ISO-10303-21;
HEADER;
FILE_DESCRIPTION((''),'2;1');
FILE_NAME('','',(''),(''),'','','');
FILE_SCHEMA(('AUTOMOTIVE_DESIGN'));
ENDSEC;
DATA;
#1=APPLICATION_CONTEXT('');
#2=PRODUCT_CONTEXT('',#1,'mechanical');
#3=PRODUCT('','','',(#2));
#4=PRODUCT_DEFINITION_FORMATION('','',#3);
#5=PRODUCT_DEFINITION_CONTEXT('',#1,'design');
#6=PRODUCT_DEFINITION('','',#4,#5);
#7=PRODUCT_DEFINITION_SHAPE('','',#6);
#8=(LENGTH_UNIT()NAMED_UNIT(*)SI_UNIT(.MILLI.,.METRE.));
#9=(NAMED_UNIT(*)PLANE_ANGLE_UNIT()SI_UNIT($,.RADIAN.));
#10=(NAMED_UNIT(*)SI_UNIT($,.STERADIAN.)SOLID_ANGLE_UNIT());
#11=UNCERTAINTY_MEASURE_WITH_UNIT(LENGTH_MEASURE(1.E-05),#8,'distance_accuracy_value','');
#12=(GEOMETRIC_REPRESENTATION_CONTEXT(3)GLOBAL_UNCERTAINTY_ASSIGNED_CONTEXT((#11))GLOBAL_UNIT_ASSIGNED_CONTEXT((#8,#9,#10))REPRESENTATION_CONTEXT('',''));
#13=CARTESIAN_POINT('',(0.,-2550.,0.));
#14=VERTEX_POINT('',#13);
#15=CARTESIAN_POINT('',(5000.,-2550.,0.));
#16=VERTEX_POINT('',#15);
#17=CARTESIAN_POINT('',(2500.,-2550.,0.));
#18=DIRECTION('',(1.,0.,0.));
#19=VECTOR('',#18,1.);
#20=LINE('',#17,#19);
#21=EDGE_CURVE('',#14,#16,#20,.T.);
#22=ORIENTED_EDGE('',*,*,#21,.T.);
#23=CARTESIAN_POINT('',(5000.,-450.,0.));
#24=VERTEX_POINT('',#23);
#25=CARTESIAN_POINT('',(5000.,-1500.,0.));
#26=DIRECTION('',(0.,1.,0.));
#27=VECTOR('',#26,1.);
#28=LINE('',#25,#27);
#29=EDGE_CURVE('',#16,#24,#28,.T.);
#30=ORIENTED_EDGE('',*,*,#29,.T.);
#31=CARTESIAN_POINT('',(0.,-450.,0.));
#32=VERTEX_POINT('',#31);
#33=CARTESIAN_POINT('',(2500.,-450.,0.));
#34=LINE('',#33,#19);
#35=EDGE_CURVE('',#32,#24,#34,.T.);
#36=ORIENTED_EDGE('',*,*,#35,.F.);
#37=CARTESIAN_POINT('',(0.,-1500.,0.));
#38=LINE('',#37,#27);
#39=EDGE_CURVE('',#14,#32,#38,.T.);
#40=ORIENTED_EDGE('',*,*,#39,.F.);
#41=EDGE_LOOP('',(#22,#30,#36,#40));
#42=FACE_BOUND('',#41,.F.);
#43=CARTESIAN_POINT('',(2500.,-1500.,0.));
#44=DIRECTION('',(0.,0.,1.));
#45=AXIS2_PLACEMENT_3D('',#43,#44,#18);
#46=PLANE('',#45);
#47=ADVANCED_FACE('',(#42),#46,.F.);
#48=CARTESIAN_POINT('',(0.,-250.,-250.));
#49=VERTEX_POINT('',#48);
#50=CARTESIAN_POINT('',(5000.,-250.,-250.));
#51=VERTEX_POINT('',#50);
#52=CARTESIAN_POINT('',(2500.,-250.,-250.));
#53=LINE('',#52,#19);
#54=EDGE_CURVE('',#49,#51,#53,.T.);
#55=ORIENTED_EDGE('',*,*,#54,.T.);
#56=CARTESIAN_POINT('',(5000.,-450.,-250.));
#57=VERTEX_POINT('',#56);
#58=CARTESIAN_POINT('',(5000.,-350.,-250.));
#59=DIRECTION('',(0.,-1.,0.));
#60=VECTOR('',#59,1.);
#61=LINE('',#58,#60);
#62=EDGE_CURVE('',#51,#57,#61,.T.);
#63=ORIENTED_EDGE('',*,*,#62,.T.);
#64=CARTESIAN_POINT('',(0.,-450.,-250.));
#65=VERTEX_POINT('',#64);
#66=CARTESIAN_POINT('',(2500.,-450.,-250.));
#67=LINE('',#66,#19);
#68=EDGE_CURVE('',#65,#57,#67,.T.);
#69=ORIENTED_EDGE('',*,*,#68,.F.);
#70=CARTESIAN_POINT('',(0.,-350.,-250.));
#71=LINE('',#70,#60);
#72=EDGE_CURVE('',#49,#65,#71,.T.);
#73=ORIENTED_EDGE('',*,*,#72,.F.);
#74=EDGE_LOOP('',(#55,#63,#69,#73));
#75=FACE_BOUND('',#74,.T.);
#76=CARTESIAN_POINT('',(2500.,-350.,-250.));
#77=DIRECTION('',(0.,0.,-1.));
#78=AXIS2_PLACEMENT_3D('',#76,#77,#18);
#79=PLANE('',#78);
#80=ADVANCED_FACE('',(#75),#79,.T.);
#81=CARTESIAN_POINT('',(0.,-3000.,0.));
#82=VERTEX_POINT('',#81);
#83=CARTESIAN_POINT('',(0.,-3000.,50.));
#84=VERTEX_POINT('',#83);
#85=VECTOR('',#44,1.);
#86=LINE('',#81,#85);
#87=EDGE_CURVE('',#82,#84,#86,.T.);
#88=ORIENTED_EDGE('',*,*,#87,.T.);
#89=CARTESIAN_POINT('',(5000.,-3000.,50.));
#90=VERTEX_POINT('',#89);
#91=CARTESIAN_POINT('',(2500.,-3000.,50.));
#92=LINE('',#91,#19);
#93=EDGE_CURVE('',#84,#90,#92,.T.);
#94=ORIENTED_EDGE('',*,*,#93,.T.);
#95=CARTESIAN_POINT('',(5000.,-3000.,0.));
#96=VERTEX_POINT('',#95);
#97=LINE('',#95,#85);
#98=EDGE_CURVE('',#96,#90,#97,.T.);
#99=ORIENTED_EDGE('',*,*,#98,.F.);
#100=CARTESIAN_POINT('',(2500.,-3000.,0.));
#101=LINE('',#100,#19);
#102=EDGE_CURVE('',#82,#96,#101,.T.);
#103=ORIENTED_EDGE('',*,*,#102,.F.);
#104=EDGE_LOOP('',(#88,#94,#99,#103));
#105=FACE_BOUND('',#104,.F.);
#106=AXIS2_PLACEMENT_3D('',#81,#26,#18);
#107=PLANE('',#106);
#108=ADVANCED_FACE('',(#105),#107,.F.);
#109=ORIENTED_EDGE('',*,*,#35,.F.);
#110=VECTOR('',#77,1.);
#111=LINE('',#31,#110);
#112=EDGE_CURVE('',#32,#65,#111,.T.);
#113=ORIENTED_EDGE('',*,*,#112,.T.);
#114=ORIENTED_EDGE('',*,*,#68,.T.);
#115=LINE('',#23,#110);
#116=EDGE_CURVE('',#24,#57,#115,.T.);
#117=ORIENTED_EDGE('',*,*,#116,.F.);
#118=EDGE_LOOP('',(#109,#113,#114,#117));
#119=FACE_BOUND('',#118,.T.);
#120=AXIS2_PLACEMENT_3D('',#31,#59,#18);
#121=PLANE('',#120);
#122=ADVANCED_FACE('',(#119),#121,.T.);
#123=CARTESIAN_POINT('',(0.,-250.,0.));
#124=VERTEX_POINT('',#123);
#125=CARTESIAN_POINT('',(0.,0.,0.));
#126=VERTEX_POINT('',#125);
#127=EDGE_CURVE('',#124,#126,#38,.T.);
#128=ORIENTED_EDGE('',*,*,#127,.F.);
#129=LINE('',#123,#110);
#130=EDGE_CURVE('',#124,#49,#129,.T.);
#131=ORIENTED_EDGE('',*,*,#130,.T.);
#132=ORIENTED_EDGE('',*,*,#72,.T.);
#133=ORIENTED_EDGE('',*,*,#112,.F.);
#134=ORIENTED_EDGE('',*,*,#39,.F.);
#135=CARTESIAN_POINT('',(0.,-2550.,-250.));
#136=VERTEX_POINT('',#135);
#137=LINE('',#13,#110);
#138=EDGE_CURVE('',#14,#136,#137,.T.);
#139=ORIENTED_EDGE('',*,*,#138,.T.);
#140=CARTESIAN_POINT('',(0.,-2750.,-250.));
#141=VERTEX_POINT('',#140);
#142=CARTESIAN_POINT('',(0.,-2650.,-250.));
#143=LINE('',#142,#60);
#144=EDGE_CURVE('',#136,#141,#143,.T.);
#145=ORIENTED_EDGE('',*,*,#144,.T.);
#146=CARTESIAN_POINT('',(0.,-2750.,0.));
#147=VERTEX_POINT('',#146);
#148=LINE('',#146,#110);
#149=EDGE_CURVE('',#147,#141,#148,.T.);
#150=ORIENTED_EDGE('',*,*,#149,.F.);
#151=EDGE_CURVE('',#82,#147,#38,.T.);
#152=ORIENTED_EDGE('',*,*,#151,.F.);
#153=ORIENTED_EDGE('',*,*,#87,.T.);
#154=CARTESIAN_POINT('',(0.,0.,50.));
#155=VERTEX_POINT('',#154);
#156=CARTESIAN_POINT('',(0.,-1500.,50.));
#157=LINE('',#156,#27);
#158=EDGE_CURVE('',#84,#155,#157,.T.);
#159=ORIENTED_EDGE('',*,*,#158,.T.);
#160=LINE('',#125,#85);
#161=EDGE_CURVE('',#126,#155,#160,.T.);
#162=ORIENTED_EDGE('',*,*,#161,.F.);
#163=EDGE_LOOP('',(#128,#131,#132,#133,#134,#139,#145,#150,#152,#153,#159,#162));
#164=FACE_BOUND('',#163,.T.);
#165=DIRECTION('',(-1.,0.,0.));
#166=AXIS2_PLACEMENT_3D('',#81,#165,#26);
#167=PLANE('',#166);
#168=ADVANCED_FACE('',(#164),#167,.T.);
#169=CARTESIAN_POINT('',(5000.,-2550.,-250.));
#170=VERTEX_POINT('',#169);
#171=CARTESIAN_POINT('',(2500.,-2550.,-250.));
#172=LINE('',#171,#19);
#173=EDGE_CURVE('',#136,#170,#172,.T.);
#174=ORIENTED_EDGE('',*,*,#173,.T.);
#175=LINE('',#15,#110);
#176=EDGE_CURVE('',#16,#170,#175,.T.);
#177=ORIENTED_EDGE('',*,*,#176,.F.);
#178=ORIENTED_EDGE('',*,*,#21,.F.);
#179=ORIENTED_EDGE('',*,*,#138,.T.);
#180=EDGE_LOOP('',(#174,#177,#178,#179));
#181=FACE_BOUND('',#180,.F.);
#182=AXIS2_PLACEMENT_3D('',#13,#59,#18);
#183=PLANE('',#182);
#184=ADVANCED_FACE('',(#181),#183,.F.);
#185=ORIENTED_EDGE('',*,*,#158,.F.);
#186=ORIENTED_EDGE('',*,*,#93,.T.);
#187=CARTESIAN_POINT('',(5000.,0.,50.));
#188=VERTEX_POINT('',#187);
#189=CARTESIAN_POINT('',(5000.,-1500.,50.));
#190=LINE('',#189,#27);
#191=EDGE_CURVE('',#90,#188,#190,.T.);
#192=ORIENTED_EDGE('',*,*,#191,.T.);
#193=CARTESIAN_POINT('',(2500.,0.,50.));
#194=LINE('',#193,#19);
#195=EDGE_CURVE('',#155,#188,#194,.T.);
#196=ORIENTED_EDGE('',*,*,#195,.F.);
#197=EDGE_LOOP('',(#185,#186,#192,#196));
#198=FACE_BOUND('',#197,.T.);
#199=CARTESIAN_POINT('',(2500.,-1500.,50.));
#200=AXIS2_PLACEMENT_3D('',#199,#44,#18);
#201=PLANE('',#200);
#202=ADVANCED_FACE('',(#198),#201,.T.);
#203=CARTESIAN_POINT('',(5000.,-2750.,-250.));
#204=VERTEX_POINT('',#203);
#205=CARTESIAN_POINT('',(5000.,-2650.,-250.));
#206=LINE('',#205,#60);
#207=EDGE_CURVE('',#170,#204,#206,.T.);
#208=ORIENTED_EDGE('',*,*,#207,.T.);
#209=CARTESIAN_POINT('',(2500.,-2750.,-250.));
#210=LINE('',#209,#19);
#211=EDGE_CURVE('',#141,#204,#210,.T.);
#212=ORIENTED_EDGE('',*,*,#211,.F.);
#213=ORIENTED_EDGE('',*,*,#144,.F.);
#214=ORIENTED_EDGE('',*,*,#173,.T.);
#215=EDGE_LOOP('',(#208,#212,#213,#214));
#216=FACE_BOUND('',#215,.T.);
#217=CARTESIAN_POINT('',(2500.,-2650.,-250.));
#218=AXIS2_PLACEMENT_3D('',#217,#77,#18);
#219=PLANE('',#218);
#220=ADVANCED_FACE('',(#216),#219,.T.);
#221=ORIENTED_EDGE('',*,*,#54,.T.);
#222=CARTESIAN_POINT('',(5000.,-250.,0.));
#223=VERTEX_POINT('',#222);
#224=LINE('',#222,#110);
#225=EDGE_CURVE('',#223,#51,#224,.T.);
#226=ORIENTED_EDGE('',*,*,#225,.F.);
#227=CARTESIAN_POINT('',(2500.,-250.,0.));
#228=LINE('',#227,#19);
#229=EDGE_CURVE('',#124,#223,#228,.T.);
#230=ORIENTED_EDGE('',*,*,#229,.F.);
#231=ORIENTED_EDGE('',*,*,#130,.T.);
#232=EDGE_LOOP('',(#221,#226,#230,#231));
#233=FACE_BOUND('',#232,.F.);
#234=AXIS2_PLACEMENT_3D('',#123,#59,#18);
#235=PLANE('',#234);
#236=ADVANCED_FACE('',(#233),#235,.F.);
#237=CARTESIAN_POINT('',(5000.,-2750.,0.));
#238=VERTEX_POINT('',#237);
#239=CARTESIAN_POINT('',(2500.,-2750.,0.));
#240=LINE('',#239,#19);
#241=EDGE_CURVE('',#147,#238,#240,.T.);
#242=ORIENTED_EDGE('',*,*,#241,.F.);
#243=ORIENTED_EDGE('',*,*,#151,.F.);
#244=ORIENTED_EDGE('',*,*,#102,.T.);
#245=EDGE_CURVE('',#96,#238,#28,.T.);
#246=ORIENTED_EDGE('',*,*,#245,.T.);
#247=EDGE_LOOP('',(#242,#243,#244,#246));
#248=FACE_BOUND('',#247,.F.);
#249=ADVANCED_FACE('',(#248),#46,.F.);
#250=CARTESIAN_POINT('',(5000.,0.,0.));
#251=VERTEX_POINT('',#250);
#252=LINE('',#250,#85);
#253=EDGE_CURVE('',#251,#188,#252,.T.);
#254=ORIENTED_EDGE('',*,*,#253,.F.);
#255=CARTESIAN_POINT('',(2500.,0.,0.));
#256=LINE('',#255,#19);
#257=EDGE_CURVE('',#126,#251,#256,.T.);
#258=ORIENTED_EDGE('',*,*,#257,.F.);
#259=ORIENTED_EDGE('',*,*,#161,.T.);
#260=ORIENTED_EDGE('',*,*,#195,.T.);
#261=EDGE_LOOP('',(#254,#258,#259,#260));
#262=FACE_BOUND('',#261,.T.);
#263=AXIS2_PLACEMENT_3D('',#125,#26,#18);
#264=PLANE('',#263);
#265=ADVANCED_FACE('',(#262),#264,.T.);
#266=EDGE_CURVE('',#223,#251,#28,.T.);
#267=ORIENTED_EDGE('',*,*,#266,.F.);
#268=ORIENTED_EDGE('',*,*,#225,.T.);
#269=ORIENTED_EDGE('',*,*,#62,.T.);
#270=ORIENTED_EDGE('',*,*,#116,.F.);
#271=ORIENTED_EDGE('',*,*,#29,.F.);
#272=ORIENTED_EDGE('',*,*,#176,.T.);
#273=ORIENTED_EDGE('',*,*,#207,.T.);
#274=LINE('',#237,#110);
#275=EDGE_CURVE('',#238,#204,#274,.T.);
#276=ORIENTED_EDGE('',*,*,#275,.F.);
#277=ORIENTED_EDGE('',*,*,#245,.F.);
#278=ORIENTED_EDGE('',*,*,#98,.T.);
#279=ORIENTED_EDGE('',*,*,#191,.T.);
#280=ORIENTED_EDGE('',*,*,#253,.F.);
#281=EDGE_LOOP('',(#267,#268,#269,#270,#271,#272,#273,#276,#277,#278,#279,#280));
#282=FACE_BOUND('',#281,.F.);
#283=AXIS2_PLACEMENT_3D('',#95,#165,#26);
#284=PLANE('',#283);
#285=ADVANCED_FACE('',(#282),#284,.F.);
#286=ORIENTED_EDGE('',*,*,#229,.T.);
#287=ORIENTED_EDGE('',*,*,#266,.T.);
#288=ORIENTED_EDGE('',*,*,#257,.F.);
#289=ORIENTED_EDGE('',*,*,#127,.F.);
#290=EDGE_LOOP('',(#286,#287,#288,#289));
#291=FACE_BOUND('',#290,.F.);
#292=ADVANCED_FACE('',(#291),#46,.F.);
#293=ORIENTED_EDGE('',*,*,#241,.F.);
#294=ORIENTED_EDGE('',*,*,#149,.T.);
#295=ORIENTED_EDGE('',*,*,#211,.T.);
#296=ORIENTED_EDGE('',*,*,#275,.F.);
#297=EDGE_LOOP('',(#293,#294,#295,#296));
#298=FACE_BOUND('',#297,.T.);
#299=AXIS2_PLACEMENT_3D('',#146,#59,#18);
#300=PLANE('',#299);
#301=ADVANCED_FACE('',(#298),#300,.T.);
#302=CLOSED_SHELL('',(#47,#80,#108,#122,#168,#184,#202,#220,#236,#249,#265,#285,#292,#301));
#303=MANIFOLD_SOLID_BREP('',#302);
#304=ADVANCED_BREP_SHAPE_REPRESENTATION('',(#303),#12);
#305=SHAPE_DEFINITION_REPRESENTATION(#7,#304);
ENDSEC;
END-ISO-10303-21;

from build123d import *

# Parameters (mm, degrees)
F0_W     = 5000
F0_H     = 3000
F1_DEPTH = 50
F2_W     = 5000
F2_H     = 200
F3_DEPTH = 250


with BuildPart() as f1:
    # F0 (on Top) → F1 (new body)
    with BuildSketch(Plane.XY):
        with Locations((2500, -1500)):
            Rectangle(F0_W, F0_H)
    extrude(amount=F1_DEPTH)

    # F2 (on face) → F3 (join)
    with BuildSketch(Plane(origin=(0, 0, 0), x_dir=(1, 0, 0), z_dir=(0, 0, -1))):
        with Locations((2500, 2650)):
            Rectangle(F2_W, F2_H)
        with Locations((2500, 350)):
            Rectangle(F2_W, F2_H)
    extrude(amount=F3_DEPTH)


solid = f1.part
